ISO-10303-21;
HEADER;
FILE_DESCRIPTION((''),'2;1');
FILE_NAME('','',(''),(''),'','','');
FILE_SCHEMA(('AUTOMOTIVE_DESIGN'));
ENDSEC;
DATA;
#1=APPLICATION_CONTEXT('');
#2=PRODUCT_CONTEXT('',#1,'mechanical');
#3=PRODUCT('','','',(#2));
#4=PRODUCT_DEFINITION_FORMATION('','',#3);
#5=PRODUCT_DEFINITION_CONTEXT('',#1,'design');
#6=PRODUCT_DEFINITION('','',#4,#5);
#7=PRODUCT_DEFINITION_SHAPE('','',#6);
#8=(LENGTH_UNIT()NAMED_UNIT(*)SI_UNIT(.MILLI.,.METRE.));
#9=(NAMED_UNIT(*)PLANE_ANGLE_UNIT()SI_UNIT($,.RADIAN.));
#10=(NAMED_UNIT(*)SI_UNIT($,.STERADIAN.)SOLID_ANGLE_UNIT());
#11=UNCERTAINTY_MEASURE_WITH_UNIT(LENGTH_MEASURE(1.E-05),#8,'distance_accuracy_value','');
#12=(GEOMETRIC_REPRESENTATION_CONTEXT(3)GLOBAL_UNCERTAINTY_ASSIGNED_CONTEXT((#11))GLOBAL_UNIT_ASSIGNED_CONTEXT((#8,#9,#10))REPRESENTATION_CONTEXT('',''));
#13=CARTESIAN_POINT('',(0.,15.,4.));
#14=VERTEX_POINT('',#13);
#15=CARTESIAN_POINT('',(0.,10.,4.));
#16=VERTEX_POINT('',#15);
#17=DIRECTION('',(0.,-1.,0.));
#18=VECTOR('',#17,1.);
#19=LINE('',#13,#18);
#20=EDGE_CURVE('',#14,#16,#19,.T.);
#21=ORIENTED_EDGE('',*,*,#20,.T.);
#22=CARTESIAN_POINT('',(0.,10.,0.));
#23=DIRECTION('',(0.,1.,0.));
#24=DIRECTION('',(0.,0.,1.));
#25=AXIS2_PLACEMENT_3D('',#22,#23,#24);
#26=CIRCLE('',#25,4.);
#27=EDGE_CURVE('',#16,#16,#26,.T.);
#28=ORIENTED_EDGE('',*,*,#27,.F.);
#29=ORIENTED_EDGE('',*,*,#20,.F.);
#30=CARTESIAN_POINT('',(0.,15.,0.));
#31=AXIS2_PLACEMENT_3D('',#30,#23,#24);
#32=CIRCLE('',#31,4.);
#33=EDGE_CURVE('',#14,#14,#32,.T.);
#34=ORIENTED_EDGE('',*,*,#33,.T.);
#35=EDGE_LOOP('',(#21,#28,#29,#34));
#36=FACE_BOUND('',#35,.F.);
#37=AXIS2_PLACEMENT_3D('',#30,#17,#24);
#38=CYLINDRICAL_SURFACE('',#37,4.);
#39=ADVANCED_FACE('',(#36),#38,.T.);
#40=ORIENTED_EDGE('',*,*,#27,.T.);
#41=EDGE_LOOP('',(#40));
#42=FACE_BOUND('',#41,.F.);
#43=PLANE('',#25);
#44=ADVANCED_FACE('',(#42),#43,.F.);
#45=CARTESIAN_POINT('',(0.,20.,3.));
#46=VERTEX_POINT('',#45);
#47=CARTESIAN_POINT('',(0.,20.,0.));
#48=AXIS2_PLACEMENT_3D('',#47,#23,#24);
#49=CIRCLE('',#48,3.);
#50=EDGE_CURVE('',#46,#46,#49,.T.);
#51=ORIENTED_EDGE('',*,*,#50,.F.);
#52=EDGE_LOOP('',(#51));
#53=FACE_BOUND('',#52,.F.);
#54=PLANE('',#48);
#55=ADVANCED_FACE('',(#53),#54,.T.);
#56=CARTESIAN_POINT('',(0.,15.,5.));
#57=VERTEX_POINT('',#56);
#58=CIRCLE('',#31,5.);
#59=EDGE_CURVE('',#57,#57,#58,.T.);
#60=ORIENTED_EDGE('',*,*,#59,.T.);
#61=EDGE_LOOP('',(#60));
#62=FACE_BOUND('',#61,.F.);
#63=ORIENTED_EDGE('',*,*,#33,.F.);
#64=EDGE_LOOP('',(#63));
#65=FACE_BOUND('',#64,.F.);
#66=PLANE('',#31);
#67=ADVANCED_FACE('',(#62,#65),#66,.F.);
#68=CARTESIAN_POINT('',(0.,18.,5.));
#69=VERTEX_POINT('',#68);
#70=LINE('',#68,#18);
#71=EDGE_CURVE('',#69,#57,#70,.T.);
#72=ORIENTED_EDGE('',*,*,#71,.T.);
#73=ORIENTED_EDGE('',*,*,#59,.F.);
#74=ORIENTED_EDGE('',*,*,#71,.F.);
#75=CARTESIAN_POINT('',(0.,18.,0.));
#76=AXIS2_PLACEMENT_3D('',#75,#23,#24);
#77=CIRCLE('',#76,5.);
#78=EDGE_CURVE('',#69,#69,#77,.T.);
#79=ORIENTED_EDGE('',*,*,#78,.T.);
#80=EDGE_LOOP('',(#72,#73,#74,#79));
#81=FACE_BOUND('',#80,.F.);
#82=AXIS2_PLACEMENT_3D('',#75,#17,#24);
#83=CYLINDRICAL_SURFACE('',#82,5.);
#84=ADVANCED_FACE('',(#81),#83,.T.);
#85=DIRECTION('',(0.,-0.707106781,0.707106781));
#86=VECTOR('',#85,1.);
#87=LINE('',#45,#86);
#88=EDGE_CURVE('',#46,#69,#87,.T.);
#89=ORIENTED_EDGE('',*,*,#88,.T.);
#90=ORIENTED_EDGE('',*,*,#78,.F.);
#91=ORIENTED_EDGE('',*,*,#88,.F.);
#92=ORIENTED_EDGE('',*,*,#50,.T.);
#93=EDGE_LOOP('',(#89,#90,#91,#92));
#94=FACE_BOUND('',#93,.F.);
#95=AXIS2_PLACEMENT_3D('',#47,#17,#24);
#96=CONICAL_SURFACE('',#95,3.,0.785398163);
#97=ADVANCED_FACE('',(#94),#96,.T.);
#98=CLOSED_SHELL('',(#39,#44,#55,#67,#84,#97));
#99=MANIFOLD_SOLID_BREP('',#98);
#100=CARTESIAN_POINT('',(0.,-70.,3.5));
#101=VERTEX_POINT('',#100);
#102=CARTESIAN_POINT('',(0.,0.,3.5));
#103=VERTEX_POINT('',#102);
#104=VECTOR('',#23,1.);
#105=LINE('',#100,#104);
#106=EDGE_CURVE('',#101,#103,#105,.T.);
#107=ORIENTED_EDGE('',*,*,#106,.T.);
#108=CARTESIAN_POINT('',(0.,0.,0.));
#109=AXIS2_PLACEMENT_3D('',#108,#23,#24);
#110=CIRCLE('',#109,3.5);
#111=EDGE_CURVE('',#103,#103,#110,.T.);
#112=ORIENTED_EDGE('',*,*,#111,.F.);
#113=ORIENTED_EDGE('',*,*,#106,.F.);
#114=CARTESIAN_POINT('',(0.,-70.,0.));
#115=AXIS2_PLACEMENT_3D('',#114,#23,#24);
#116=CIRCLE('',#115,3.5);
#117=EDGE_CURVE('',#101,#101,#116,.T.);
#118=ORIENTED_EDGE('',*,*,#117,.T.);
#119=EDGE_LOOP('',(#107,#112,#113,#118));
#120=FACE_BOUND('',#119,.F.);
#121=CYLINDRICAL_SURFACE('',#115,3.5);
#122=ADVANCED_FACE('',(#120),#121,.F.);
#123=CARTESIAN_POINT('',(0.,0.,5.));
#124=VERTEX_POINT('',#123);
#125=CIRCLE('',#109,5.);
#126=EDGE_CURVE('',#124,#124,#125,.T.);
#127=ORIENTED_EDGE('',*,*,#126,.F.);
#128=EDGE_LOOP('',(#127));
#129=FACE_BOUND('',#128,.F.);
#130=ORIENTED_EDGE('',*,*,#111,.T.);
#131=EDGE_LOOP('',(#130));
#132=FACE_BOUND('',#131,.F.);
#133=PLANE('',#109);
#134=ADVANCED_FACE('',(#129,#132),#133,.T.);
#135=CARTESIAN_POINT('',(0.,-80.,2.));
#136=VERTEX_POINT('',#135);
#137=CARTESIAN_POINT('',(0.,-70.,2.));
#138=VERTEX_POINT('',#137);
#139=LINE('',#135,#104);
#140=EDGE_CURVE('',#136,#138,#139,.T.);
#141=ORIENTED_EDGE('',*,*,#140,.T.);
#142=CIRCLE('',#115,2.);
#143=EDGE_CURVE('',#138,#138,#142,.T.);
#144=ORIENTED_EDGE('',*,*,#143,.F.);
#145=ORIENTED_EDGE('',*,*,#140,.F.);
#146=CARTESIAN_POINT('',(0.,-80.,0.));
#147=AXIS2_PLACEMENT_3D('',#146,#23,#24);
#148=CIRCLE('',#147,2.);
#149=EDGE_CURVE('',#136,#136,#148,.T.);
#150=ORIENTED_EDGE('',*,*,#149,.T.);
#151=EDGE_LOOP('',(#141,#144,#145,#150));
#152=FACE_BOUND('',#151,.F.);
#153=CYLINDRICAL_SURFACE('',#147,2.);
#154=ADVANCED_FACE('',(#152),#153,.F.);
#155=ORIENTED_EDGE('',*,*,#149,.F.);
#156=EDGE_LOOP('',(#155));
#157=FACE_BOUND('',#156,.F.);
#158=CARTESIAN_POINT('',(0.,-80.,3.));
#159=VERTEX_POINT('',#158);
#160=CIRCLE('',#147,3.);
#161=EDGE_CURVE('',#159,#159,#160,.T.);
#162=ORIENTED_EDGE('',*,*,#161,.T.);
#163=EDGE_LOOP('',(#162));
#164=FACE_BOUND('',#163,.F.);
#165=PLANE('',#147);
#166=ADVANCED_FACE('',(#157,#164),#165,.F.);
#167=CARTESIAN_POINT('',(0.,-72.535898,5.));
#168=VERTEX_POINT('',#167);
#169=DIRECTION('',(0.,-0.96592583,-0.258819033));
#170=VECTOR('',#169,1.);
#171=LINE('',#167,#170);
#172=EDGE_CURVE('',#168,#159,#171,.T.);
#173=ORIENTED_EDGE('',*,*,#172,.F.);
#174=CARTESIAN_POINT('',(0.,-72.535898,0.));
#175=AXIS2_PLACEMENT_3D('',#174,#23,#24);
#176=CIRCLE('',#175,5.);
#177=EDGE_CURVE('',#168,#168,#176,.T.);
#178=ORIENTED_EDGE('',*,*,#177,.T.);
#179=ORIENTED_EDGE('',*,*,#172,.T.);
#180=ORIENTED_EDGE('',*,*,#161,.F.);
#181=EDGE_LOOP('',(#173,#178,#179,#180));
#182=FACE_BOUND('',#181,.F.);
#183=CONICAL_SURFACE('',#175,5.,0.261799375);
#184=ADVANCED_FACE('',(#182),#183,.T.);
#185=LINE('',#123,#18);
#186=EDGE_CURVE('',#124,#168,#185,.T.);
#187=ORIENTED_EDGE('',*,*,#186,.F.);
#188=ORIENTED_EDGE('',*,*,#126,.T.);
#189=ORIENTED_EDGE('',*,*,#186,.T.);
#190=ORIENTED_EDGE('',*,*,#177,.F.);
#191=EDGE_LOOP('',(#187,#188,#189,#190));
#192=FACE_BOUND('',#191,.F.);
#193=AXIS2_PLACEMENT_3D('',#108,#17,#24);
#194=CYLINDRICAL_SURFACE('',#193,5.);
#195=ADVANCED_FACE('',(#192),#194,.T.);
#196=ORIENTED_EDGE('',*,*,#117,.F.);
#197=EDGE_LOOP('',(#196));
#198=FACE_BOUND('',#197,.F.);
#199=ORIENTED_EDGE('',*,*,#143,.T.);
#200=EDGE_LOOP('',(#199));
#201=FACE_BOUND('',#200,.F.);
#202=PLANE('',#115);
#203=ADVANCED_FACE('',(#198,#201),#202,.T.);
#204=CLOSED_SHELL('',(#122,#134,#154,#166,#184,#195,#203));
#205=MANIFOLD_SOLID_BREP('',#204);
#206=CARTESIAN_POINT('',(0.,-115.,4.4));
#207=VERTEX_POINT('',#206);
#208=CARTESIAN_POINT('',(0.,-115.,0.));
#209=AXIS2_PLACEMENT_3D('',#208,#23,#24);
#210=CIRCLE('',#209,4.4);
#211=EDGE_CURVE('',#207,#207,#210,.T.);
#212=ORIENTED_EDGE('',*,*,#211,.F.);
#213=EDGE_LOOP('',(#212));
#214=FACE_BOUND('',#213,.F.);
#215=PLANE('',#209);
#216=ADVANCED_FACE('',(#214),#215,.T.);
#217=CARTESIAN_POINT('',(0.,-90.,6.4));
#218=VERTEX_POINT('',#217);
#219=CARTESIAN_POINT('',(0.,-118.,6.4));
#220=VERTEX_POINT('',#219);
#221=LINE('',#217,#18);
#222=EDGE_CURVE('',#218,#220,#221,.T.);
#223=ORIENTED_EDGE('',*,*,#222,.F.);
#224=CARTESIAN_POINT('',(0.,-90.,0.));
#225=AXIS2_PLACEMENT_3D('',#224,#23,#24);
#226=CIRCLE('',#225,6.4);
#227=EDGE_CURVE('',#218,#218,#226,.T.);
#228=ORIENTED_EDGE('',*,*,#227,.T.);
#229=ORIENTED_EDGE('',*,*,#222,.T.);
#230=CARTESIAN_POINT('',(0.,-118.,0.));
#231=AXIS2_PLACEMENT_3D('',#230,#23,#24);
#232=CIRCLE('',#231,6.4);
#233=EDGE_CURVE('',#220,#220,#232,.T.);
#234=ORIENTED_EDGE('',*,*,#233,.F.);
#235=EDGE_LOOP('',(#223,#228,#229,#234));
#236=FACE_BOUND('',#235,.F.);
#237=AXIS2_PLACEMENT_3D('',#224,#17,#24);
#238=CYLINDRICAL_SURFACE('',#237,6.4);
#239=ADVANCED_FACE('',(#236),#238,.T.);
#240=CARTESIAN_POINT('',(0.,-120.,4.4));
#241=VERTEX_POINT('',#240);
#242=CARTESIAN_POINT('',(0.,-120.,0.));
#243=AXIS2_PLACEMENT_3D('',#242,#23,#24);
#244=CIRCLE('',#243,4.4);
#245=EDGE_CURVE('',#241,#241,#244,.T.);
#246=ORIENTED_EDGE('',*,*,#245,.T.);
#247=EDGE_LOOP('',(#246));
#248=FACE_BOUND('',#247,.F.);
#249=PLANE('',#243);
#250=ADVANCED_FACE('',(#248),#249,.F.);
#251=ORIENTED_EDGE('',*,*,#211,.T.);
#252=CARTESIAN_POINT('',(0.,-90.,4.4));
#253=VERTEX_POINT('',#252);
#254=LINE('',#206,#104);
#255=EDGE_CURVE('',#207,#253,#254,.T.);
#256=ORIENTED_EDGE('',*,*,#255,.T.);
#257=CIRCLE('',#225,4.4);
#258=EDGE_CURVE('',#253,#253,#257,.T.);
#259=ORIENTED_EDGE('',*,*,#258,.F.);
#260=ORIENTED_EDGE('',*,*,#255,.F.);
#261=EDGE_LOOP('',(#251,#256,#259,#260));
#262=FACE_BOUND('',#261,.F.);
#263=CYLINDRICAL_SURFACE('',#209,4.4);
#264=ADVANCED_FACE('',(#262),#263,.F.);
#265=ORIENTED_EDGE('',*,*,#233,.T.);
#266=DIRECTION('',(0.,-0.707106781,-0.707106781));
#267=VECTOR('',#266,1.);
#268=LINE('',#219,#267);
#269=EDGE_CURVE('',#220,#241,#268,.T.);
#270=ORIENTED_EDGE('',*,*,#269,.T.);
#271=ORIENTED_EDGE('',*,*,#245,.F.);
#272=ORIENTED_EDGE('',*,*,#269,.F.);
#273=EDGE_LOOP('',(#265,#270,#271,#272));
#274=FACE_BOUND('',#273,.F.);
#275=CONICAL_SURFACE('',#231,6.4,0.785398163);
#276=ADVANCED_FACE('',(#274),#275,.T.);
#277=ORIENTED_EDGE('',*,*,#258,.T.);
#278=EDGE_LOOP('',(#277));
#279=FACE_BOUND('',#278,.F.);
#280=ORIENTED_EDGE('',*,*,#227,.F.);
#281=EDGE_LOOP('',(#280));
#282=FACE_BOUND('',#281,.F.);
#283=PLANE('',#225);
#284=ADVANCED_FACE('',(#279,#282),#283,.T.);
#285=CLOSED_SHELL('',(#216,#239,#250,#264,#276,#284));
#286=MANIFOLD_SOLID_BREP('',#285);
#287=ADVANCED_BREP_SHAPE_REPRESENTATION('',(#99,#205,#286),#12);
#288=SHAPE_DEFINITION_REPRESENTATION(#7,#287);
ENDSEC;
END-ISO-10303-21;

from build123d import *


with BuildPart() as f1:
    # F0 (on Right) → F1 (revolve)
    with BuildSketch(Plane.YZ):
        Polygon((-115, 0), (-115, 4.4), (-90, 4.4), (-90, 6.4), (-118, 6.4), (-120, 4.4), (-120, 0), align=None)
        Polygon((0, 5), (-72.535898, 5), (-80, 3), (-80, 2), (-70, 2), (-70, 3.5), (0, 3.5), align=None)
        Polygon((18, 5), (15, 5), (15, 4), (10, 4), (10, 0), (20, 0), (20, 3), align=None)
    revolve(axis=Axis((0, -39.999895, 0), (0, 1, 0)))


solid = f1.part
